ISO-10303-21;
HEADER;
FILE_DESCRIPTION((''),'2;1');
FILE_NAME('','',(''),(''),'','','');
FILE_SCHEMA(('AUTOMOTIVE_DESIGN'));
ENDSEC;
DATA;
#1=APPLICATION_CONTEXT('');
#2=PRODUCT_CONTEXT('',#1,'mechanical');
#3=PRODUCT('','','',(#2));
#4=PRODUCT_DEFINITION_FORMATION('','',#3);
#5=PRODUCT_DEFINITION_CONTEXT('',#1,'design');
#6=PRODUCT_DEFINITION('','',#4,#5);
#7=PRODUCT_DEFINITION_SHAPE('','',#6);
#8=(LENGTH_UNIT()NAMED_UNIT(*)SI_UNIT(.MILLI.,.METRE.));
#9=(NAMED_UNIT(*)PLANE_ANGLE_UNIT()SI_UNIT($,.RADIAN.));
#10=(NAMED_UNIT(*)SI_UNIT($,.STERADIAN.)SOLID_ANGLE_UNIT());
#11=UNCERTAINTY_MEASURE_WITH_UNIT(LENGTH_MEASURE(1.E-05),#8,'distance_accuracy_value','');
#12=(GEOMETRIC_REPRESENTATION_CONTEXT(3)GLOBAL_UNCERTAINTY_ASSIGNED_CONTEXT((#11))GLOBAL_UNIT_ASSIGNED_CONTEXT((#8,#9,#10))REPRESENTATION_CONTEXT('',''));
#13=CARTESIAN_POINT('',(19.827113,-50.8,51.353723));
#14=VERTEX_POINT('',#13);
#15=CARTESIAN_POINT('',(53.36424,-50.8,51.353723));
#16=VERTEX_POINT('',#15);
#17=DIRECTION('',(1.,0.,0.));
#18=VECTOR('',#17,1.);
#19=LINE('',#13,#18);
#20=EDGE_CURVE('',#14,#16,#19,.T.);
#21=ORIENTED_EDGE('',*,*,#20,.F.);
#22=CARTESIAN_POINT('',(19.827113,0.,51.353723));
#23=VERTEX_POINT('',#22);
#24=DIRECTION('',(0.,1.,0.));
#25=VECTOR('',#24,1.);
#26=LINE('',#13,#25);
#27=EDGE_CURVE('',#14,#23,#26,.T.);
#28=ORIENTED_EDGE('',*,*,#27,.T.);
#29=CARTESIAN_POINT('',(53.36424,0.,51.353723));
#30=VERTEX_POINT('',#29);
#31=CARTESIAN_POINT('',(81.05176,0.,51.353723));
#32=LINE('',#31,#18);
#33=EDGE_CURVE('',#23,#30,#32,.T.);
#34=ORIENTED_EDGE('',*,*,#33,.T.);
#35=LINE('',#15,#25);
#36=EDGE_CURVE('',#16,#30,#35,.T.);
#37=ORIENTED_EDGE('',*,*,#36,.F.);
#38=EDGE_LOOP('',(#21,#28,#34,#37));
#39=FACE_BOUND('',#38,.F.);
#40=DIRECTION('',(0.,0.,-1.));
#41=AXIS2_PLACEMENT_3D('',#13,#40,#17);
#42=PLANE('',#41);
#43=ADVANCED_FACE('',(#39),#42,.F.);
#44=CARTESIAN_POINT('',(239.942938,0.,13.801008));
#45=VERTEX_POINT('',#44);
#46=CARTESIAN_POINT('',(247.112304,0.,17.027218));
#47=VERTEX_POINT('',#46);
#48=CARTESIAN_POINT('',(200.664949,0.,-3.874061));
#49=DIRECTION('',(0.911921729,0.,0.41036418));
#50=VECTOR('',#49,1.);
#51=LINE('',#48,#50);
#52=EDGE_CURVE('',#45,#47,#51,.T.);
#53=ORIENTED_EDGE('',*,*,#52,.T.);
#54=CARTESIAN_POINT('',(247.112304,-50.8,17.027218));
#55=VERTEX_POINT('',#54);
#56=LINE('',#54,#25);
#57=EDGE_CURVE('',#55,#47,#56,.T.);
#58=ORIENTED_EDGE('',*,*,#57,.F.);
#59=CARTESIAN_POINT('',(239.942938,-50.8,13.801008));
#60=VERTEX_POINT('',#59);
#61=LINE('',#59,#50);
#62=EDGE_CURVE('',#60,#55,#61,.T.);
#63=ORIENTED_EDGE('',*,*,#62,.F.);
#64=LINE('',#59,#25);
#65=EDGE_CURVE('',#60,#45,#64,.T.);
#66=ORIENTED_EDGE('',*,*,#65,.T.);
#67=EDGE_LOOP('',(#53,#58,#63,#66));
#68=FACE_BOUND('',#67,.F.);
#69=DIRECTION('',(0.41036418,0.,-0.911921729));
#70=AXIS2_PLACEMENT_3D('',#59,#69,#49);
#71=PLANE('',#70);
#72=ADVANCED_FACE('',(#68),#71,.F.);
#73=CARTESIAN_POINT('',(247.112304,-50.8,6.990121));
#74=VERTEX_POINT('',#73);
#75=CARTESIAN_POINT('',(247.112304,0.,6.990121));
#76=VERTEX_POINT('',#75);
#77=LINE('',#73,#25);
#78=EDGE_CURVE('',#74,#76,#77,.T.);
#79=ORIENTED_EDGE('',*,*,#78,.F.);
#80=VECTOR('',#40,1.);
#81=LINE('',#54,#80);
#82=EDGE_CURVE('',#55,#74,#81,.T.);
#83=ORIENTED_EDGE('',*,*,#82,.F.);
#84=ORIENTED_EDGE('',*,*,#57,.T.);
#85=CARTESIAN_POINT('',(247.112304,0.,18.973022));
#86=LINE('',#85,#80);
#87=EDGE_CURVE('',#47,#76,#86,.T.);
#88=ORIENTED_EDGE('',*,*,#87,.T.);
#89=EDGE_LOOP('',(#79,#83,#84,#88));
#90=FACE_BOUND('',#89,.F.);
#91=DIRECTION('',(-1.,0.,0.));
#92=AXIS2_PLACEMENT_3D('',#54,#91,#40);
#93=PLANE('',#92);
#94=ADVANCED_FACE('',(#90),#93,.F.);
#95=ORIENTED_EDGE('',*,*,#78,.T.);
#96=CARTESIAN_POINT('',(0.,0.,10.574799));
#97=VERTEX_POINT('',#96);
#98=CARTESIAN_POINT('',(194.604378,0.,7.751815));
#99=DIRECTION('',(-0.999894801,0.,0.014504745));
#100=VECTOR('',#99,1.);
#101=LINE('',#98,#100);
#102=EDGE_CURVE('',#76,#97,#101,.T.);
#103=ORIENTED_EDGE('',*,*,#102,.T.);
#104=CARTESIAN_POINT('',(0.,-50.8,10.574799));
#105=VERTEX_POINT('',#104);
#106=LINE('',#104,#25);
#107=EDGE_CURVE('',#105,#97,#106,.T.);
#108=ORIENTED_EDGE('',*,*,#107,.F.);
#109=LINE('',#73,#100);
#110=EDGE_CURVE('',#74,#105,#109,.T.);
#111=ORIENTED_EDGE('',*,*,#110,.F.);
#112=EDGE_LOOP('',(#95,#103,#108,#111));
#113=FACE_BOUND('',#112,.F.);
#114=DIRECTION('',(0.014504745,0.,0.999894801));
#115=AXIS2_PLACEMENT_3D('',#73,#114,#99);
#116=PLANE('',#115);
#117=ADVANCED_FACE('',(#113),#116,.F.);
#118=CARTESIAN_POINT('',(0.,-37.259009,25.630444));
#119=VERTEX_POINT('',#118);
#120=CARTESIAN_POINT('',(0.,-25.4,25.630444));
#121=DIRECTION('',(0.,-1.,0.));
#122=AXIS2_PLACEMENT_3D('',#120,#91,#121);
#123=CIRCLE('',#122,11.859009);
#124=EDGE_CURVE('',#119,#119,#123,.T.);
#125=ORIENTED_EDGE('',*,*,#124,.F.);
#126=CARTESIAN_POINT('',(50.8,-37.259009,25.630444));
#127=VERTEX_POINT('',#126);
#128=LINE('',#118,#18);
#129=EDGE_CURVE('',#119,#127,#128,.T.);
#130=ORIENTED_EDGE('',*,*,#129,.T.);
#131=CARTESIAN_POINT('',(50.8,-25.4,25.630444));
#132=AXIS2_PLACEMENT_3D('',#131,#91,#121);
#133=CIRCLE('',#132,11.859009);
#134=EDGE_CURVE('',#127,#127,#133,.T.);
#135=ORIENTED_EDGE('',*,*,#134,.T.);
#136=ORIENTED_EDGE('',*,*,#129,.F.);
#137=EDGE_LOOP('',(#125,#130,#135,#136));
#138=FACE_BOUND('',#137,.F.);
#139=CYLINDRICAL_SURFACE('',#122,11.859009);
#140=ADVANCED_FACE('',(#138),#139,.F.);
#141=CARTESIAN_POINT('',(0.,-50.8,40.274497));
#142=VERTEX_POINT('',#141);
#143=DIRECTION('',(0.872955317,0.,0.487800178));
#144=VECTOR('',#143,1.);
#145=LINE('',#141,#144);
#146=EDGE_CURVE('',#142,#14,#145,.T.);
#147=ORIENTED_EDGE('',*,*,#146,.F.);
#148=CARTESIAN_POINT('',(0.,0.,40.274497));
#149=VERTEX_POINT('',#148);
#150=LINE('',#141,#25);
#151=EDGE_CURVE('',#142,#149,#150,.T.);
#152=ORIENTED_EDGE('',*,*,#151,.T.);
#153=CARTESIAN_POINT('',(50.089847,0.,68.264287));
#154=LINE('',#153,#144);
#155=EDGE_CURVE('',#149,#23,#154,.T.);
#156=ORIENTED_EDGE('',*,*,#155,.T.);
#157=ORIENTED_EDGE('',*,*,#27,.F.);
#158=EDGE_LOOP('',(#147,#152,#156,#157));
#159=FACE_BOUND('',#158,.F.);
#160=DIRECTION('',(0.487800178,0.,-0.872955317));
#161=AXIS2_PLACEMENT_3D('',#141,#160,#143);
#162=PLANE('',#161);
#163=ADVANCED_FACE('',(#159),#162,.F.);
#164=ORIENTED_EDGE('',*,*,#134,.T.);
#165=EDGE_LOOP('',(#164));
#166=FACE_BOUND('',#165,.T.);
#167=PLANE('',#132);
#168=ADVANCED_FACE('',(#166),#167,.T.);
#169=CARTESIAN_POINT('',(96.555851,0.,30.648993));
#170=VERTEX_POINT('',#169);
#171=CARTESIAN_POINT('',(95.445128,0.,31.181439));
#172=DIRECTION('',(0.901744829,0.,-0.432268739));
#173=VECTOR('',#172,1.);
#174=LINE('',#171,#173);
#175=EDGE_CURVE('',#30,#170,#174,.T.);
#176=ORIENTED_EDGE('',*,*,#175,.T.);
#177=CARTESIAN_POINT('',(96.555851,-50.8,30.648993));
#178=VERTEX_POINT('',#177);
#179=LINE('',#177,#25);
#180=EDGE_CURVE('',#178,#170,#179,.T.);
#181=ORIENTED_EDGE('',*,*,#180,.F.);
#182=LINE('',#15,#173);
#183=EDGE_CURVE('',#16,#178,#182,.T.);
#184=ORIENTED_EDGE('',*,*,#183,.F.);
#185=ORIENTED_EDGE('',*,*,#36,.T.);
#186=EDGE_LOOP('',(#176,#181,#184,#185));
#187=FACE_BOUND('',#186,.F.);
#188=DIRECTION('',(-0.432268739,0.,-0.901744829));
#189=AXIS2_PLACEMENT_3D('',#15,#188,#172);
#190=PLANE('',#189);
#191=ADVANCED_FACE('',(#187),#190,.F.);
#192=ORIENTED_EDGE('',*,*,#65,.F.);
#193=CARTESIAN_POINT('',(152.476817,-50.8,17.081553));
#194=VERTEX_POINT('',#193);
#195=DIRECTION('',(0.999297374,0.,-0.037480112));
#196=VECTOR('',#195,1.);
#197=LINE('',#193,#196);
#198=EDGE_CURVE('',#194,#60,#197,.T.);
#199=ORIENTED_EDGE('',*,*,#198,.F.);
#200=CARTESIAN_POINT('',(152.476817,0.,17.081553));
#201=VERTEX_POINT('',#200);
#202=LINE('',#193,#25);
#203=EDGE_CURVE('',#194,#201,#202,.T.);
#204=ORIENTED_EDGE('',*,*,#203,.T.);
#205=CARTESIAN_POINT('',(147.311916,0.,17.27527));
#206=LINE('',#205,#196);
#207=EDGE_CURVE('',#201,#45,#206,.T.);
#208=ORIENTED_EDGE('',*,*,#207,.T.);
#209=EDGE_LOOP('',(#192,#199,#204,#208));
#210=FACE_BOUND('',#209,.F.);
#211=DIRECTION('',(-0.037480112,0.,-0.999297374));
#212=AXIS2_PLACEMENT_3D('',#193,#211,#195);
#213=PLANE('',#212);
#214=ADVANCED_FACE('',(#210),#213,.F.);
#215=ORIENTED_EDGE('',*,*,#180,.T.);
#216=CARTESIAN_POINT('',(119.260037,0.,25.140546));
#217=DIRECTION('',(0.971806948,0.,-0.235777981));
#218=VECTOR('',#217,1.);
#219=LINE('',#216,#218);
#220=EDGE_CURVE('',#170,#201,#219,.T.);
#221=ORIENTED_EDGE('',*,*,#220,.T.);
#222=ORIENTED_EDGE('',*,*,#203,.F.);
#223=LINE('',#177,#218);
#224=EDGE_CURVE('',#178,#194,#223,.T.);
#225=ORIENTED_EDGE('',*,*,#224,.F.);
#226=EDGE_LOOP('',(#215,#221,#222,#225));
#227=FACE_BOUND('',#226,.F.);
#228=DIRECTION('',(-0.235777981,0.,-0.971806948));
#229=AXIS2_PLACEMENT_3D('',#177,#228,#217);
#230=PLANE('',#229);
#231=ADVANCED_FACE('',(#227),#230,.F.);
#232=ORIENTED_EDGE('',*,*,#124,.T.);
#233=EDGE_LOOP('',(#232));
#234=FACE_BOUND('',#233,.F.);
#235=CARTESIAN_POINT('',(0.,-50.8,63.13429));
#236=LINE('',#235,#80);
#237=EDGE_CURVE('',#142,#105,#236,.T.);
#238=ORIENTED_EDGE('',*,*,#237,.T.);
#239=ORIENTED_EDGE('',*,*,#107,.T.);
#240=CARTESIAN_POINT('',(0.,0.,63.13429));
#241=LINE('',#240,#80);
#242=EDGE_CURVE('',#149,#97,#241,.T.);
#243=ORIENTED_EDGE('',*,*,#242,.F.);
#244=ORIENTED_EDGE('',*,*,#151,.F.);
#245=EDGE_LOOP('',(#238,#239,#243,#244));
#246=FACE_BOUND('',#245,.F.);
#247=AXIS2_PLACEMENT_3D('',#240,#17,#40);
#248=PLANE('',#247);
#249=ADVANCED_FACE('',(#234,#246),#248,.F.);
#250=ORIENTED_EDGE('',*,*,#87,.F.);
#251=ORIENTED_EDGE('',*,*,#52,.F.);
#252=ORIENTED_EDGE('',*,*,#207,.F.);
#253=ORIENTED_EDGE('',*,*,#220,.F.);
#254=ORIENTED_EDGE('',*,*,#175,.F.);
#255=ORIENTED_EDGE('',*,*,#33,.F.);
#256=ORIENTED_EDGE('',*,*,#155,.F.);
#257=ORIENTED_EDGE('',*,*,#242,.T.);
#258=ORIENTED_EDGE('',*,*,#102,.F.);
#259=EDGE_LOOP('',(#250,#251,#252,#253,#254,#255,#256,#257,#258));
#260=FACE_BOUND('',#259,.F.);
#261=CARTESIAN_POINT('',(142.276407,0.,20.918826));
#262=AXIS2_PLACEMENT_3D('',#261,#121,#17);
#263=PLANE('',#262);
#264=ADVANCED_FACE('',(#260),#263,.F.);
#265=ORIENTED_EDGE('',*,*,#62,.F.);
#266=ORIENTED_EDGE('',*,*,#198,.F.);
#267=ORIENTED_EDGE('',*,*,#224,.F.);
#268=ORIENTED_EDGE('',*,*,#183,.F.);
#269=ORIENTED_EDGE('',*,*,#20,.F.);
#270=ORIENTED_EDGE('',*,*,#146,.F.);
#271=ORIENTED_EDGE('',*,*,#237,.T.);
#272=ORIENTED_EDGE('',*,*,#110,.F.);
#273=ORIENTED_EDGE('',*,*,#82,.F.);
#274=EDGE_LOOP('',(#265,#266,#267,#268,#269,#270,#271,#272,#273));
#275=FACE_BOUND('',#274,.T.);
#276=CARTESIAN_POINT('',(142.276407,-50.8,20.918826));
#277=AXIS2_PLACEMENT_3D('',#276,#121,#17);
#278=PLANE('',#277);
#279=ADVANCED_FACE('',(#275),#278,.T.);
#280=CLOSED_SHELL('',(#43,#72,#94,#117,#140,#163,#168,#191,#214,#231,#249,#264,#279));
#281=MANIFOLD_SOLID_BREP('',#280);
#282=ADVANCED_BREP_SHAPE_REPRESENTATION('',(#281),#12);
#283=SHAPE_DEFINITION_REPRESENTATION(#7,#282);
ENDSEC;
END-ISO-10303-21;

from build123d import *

# Parameters (mm, degrees)
F1_DEPTH = 50.8
F2_R     = 11.859009
F4_DEPTH = 50.8
F5_DEPTH = 76.2


with BuildPart() as f1:
    # F0 (on Front) → F1 (new body)
    with BuildSketch(Plane.XZ):
        Polygon((0, 63.13429), (0, 0), (304.8, 0), (304.8, 17.081553), align=None)
    extrude(amount=F1_DEPTH)

    # F2 (on face) → F4 (cut)
    with BuildSketch(Plane(origin=(0, 0, 0), x_dir=(0, -1, 0), z_dir=(-1, 0, 0))):
        with Locations((25.4, 25.630444)):
            Circle(F2_R)
    extrude(amount=-F4_DEPTH, mode=Mode.SUBTRACT)

    # F3 (on face) → F5 (cut)
    with BuildSketch(Plane.XZ.offset(50.8)):
        Polygon((0, 63.13429), (0, 40.274497), (19.827113, 51.353723), (53.36424, 51.353723), (96.555851, 30.648993), (152.476817, 17.081553), (239.942938, 13.801008), (247.112304, 17.027218), (247.112304, 6.990121), (0, 10.574799), (0, 0), (304.8, 0), (304.8, 17.081553), align=None)
    extrude(amount=-F5_DEPTH, mode=Mode.SUBTRACT)


solid = f1.part
